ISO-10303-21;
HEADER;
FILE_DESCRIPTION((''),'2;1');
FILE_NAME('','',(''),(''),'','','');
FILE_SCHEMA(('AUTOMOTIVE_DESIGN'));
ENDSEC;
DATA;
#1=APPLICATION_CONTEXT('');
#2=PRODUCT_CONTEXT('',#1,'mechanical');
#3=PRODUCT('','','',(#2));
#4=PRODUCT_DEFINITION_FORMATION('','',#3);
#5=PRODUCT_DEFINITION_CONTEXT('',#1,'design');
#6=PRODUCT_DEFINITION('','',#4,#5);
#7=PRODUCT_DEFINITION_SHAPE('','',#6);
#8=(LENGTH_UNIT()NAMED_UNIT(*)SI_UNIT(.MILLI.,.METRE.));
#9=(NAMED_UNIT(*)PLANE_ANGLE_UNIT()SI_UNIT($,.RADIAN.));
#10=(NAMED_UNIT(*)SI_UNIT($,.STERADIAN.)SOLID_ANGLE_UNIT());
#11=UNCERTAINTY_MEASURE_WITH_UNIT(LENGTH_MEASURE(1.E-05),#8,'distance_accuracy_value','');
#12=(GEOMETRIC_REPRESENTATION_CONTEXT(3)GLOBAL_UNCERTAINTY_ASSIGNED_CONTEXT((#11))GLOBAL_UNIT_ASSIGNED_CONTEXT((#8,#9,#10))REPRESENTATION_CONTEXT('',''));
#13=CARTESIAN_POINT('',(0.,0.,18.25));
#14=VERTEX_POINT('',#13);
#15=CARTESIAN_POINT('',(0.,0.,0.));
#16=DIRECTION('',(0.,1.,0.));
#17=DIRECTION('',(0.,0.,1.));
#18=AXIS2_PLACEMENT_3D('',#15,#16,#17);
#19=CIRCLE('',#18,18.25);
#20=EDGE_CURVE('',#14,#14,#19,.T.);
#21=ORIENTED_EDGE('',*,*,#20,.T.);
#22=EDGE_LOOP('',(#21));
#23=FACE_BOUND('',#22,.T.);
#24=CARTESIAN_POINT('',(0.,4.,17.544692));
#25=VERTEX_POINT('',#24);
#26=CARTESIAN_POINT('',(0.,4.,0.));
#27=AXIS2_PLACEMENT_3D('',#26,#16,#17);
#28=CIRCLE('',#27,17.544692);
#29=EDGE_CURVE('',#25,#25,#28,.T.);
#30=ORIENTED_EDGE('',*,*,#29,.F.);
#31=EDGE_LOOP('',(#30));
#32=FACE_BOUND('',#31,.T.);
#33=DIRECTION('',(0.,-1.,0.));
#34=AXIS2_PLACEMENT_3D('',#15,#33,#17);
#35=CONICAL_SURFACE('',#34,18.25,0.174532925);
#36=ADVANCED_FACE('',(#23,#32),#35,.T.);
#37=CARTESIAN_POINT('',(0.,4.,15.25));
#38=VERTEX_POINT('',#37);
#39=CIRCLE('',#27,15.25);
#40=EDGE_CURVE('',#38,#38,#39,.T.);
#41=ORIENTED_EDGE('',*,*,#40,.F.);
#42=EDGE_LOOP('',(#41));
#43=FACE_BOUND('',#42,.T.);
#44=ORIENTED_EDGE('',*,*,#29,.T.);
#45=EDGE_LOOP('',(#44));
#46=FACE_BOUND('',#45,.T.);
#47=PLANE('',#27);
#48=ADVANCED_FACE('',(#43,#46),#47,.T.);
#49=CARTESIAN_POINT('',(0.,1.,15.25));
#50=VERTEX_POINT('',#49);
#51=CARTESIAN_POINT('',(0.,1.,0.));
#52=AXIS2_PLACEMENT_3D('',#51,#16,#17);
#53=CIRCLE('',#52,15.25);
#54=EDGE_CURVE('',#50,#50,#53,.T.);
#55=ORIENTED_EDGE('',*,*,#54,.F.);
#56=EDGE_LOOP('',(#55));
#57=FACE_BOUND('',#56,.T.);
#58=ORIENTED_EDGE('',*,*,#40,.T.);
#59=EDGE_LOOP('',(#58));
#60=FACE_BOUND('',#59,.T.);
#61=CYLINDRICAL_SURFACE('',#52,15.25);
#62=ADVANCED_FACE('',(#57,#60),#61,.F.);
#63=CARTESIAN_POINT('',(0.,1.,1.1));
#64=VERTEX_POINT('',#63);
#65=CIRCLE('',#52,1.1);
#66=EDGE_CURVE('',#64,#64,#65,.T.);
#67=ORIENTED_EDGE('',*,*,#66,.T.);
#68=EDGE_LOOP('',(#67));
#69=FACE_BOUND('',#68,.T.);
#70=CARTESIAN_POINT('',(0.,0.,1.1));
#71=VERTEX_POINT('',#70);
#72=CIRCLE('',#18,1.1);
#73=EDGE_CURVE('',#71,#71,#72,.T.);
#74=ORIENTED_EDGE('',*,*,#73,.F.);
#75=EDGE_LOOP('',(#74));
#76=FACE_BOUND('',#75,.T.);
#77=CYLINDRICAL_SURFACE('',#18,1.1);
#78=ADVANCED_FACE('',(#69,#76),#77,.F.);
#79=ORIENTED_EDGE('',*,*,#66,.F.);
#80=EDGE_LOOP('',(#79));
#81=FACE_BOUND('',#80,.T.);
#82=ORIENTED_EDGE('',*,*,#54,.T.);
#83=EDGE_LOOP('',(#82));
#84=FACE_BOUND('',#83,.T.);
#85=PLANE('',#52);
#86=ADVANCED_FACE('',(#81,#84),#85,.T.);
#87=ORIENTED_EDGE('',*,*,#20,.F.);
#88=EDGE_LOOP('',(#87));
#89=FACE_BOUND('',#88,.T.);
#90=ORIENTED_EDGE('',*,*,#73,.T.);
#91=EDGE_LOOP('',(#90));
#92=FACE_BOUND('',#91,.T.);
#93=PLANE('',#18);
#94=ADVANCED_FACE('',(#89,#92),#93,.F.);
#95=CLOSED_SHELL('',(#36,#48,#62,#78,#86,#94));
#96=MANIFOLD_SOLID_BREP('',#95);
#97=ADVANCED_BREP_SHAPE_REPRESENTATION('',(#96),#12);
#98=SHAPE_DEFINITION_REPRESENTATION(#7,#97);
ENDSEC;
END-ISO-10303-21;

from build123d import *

# Parameters (mm, degrees)
SKETCH1_R           = 18.25
BOSS_EXTRUDE1_DEPTH = 4
BOSS_EXTRUDE1_TAPER = 10
CUT_EXTRUDE2_START  = 4
SKETCH1_5_R         = 1.1
CUT_EXTRUDE2_DEPTH  = 4
CUT_EXTRUDE3_START  = 4
SKETCH1_6_R         = 15.25
CUT_EXTRUDE3_DEPTH  = 3


with BuildPart() as part:
    # Sketch1 → Boss-Extrude1 (new body)
    with BuildSketch(Plane(origin=(0, 0, 0), x_dir=(1, 0, 0), z_dir=(0, 1, 0))):
        Circle(SKETCH1_R)
    extrude(amount=BOSS_EXTRUDE1_DEPTH, taper=BOSS_EXTRUDE1_TAPER)

    # Sketch1<5> → Cut-Extrude2 (cut)
    with BuildSketch(Plane(origin=(0, 0, 0), x_dir=(1, 0, 0), z_dir=(0, 1, 0)).offset(CUT_EXTRUDE2_START)):
        with Locations(Location((0, 0, 0), (0, 0, 270))):
            Circle(SKETCH1_5_R)
    extrude(amount=-CUT_EXTRUDE2_DEPTH, mode=Mode.SUBTRACT)

    # Sketch1<6> → Cut-Extrude3 (cut)
    with BuildSketch(Plane(origin=(0, 0, 0), x_dir=(1, 0, 0), z_dir=(0, 1, 0)).offset(CUT_EXTRUDE3_START)):
        with Locations(Location((0, 0, 0), (0, 0, 270))):
            Circle(SKETCH1_6_R)
    extrude(amount=-CUT_EXTRUDE3_DEPTH, mode=Mode.SUBTRACT)


solid = part.part
